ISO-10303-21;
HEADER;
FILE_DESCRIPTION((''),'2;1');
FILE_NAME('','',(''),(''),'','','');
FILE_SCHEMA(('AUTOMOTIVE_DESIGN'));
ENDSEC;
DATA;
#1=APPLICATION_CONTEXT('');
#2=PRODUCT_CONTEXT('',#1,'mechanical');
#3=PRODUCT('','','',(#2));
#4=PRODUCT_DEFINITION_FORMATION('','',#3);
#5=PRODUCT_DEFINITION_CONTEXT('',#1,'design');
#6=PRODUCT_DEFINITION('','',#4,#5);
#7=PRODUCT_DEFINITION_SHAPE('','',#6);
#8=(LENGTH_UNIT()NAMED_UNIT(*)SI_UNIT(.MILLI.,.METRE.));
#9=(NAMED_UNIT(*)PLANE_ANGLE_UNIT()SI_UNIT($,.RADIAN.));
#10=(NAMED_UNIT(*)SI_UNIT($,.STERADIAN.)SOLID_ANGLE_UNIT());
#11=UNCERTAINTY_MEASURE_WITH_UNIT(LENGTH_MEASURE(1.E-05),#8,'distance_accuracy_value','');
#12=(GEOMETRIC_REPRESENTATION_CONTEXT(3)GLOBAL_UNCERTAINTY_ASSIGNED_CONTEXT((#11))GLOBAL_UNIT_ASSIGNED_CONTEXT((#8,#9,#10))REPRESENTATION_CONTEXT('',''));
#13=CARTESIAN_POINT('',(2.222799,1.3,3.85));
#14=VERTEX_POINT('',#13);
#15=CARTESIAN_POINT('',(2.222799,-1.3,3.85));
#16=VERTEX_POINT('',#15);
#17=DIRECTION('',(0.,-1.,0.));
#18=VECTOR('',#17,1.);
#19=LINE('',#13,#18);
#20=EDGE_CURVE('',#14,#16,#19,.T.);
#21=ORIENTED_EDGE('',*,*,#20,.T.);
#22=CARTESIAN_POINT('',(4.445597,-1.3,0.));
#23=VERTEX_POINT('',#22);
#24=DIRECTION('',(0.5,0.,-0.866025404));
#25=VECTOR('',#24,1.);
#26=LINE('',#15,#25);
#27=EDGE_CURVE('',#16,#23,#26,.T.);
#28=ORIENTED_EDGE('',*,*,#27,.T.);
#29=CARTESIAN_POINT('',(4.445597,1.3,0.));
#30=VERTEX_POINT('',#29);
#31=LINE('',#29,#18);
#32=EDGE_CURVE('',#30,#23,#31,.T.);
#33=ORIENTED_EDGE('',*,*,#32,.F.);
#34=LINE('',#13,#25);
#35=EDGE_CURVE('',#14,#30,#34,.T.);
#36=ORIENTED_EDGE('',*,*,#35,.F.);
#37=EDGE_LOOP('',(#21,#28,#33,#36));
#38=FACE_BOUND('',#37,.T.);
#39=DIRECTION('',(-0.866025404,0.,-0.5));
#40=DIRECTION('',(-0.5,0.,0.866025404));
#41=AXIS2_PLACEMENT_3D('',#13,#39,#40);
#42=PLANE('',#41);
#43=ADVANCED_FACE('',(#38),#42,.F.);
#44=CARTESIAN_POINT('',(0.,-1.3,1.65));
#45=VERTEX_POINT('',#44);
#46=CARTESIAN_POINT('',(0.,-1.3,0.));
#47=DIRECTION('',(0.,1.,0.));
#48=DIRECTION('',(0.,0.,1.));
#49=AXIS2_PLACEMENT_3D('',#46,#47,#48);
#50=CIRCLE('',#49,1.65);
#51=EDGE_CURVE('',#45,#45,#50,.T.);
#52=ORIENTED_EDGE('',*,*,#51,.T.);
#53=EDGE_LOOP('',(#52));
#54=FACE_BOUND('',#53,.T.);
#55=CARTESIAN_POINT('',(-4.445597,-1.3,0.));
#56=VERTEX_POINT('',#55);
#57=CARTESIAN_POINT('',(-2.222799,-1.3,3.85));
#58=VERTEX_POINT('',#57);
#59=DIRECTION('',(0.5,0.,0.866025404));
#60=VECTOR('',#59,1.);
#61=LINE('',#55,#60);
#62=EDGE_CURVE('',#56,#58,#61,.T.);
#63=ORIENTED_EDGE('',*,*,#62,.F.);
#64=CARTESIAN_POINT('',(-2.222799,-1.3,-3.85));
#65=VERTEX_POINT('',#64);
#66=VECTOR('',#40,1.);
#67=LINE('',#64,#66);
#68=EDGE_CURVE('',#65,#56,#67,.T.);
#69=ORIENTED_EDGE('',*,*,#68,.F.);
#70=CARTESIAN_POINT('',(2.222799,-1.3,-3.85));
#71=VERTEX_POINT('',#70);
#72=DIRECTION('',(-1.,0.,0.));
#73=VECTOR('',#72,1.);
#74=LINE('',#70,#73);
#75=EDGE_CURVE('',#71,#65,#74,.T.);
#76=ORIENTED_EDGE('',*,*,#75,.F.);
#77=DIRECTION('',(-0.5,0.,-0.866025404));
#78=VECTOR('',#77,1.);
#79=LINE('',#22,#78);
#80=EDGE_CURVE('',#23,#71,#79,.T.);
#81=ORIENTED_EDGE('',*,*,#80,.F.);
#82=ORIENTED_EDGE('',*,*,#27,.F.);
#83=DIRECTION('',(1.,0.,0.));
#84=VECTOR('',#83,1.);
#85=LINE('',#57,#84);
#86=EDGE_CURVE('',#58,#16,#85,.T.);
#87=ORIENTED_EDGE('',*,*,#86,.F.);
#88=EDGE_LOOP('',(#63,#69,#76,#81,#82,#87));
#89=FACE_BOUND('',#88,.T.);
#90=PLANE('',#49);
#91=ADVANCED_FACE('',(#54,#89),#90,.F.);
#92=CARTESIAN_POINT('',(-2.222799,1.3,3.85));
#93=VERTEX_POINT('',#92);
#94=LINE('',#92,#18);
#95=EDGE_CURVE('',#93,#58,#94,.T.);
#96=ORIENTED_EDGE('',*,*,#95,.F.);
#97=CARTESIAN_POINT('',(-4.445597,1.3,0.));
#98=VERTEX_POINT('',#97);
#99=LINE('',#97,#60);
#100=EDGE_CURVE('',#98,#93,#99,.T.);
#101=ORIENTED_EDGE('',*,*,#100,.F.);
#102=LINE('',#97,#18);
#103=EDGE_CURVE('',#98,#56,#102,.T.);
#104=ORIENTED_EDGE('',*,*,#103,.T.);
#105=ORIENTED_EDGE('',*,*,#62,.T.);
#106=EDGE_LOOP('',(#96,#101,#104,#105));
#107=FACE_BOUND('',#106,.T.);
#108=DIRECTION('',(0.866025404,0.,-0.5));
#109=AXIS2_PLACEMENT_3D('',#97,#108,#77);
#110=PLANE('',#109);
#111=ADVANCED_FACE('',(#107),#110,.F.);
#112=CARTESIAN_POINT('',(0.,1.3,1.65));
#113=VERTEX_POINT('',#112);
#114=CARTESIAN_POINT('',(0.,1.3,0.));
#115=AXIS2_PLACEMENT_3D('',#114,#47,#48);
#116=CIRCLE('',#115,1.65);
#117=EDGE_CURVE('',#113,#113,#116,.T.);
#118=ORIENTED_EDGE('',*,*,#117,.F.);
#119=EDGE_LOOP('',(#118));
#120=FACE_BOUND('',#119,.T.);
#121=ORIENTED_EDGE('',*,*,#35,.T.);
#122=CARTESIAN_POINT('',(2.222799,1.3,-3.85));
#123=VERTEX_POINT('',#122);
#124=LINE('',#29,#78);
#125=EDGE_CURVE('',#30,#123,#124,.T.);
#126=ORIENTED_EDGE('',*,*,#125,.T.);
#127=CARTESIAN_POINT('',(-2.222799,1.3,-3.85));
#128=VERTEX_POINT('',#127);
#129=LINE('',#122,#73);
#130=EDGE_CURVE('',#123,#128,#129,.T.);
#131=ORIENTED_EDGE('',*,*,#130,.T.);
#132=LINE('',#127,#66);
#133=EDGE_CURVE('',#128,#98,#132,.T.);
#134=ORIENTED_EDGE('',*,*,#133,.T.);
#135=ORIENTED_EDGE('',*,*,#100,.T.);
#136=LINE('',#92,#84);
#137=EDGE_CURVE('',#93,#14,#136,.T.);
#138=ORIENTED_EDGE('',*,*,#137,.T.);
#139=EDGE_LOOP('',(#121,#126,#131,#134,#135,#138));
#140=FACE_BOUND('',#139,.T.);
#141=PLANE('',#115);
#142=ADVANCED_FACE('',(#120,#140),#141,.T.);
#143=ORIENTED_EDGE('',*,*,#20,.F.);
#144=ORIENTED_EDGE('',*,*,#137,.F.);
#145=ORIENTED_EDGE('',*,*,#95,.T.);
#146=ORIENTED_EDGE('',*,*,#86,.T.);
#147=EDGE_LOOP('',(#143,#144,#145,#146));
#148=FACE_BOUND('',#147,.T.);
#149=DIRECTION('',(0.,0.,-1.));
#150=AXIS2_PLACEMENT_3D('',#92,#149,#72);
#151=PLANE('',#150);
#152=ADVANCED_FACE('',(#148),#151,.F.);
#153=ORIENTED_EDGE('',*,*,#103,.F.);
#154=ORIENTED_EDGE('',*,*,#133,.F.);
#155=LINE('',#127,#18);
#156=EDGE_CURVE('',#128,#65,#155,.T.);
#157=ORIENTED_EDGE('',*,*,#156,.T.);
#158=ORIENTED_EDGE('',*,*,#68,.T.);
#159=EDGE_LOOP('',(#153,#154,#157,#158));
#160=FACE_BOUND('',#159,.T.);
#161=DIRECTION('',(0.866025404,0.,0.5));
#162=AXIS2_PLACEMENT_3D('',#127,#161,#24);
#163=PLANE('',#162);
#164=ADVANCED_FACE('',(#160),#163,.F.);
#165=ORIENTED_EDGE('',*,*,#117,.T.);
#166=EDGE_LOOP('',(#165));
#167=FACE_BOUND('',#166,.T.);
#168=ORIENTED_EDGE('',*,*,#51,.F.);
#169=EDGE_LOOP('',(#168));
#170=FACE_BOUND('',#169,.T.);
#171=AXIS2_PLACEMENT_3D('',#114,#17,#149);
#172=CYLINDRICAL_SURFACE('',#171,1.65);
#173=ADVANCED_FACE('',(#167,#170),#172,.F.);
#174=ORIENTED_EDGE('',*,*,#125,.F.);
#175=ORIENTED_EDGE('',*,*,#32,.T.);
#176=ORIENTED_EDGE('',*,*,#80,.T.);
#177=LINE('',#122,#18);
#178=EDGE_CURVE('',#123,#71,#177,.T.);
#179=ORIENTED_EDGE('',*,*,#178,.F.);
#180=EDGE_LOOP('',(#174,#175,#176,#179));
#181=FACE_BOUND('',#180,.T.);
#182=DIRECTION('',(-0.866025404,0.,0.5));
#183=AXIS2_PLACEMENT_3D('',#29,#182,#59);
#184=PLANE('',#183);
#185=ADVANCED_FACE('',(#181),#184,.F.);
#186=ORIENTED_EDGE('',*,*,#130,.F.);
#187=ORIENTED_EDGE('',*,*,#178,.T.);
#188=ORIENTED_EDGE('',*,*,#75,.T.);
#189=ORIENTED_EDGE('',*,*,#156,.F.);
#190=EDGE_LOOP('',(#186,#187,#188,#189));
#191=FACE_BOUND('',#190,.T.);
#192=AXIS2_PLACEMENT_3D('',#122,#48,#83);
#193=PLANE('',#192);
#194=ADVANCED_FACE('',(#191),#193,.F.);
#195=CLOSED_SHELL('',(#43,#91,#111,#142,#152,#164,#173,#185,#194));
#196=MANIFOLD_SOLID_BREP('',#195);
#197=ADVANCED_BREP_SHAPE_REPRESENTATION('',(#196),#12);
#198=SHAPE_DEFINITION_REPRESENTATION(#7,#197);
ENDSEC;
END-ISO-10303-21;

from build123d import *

# Parameters (mm, degrees)
SKETCH1_R           = 1.65
BOSS_EXTRUDE1_DEPTH = 1.3


with BuildPart() as part:
    # Sketch1 → Boss-Extrude1 (new, symmetric)
    with BuildSketch(Plane(origin=(0, 0, 0), x_dir=(1, 0, 0), z_dir=(0, 1, 0))):
        Polygon((4.445597073, 0), (2.222798536, 3.85), (-2.222798536, 3.85), (-4.445597073, 0), (-2.222798536, -3.85), (2.222798536, -3.85), align=None)
        with Locations(Location((0, 0, 0), (0, 0, 270))):
            Circle(SKETCH1_R, mode=Mode.SUBTRACT)
    extrude(amount=BOSS_EXTRUDE1_DEPTH, both=True)


solid = part.part
